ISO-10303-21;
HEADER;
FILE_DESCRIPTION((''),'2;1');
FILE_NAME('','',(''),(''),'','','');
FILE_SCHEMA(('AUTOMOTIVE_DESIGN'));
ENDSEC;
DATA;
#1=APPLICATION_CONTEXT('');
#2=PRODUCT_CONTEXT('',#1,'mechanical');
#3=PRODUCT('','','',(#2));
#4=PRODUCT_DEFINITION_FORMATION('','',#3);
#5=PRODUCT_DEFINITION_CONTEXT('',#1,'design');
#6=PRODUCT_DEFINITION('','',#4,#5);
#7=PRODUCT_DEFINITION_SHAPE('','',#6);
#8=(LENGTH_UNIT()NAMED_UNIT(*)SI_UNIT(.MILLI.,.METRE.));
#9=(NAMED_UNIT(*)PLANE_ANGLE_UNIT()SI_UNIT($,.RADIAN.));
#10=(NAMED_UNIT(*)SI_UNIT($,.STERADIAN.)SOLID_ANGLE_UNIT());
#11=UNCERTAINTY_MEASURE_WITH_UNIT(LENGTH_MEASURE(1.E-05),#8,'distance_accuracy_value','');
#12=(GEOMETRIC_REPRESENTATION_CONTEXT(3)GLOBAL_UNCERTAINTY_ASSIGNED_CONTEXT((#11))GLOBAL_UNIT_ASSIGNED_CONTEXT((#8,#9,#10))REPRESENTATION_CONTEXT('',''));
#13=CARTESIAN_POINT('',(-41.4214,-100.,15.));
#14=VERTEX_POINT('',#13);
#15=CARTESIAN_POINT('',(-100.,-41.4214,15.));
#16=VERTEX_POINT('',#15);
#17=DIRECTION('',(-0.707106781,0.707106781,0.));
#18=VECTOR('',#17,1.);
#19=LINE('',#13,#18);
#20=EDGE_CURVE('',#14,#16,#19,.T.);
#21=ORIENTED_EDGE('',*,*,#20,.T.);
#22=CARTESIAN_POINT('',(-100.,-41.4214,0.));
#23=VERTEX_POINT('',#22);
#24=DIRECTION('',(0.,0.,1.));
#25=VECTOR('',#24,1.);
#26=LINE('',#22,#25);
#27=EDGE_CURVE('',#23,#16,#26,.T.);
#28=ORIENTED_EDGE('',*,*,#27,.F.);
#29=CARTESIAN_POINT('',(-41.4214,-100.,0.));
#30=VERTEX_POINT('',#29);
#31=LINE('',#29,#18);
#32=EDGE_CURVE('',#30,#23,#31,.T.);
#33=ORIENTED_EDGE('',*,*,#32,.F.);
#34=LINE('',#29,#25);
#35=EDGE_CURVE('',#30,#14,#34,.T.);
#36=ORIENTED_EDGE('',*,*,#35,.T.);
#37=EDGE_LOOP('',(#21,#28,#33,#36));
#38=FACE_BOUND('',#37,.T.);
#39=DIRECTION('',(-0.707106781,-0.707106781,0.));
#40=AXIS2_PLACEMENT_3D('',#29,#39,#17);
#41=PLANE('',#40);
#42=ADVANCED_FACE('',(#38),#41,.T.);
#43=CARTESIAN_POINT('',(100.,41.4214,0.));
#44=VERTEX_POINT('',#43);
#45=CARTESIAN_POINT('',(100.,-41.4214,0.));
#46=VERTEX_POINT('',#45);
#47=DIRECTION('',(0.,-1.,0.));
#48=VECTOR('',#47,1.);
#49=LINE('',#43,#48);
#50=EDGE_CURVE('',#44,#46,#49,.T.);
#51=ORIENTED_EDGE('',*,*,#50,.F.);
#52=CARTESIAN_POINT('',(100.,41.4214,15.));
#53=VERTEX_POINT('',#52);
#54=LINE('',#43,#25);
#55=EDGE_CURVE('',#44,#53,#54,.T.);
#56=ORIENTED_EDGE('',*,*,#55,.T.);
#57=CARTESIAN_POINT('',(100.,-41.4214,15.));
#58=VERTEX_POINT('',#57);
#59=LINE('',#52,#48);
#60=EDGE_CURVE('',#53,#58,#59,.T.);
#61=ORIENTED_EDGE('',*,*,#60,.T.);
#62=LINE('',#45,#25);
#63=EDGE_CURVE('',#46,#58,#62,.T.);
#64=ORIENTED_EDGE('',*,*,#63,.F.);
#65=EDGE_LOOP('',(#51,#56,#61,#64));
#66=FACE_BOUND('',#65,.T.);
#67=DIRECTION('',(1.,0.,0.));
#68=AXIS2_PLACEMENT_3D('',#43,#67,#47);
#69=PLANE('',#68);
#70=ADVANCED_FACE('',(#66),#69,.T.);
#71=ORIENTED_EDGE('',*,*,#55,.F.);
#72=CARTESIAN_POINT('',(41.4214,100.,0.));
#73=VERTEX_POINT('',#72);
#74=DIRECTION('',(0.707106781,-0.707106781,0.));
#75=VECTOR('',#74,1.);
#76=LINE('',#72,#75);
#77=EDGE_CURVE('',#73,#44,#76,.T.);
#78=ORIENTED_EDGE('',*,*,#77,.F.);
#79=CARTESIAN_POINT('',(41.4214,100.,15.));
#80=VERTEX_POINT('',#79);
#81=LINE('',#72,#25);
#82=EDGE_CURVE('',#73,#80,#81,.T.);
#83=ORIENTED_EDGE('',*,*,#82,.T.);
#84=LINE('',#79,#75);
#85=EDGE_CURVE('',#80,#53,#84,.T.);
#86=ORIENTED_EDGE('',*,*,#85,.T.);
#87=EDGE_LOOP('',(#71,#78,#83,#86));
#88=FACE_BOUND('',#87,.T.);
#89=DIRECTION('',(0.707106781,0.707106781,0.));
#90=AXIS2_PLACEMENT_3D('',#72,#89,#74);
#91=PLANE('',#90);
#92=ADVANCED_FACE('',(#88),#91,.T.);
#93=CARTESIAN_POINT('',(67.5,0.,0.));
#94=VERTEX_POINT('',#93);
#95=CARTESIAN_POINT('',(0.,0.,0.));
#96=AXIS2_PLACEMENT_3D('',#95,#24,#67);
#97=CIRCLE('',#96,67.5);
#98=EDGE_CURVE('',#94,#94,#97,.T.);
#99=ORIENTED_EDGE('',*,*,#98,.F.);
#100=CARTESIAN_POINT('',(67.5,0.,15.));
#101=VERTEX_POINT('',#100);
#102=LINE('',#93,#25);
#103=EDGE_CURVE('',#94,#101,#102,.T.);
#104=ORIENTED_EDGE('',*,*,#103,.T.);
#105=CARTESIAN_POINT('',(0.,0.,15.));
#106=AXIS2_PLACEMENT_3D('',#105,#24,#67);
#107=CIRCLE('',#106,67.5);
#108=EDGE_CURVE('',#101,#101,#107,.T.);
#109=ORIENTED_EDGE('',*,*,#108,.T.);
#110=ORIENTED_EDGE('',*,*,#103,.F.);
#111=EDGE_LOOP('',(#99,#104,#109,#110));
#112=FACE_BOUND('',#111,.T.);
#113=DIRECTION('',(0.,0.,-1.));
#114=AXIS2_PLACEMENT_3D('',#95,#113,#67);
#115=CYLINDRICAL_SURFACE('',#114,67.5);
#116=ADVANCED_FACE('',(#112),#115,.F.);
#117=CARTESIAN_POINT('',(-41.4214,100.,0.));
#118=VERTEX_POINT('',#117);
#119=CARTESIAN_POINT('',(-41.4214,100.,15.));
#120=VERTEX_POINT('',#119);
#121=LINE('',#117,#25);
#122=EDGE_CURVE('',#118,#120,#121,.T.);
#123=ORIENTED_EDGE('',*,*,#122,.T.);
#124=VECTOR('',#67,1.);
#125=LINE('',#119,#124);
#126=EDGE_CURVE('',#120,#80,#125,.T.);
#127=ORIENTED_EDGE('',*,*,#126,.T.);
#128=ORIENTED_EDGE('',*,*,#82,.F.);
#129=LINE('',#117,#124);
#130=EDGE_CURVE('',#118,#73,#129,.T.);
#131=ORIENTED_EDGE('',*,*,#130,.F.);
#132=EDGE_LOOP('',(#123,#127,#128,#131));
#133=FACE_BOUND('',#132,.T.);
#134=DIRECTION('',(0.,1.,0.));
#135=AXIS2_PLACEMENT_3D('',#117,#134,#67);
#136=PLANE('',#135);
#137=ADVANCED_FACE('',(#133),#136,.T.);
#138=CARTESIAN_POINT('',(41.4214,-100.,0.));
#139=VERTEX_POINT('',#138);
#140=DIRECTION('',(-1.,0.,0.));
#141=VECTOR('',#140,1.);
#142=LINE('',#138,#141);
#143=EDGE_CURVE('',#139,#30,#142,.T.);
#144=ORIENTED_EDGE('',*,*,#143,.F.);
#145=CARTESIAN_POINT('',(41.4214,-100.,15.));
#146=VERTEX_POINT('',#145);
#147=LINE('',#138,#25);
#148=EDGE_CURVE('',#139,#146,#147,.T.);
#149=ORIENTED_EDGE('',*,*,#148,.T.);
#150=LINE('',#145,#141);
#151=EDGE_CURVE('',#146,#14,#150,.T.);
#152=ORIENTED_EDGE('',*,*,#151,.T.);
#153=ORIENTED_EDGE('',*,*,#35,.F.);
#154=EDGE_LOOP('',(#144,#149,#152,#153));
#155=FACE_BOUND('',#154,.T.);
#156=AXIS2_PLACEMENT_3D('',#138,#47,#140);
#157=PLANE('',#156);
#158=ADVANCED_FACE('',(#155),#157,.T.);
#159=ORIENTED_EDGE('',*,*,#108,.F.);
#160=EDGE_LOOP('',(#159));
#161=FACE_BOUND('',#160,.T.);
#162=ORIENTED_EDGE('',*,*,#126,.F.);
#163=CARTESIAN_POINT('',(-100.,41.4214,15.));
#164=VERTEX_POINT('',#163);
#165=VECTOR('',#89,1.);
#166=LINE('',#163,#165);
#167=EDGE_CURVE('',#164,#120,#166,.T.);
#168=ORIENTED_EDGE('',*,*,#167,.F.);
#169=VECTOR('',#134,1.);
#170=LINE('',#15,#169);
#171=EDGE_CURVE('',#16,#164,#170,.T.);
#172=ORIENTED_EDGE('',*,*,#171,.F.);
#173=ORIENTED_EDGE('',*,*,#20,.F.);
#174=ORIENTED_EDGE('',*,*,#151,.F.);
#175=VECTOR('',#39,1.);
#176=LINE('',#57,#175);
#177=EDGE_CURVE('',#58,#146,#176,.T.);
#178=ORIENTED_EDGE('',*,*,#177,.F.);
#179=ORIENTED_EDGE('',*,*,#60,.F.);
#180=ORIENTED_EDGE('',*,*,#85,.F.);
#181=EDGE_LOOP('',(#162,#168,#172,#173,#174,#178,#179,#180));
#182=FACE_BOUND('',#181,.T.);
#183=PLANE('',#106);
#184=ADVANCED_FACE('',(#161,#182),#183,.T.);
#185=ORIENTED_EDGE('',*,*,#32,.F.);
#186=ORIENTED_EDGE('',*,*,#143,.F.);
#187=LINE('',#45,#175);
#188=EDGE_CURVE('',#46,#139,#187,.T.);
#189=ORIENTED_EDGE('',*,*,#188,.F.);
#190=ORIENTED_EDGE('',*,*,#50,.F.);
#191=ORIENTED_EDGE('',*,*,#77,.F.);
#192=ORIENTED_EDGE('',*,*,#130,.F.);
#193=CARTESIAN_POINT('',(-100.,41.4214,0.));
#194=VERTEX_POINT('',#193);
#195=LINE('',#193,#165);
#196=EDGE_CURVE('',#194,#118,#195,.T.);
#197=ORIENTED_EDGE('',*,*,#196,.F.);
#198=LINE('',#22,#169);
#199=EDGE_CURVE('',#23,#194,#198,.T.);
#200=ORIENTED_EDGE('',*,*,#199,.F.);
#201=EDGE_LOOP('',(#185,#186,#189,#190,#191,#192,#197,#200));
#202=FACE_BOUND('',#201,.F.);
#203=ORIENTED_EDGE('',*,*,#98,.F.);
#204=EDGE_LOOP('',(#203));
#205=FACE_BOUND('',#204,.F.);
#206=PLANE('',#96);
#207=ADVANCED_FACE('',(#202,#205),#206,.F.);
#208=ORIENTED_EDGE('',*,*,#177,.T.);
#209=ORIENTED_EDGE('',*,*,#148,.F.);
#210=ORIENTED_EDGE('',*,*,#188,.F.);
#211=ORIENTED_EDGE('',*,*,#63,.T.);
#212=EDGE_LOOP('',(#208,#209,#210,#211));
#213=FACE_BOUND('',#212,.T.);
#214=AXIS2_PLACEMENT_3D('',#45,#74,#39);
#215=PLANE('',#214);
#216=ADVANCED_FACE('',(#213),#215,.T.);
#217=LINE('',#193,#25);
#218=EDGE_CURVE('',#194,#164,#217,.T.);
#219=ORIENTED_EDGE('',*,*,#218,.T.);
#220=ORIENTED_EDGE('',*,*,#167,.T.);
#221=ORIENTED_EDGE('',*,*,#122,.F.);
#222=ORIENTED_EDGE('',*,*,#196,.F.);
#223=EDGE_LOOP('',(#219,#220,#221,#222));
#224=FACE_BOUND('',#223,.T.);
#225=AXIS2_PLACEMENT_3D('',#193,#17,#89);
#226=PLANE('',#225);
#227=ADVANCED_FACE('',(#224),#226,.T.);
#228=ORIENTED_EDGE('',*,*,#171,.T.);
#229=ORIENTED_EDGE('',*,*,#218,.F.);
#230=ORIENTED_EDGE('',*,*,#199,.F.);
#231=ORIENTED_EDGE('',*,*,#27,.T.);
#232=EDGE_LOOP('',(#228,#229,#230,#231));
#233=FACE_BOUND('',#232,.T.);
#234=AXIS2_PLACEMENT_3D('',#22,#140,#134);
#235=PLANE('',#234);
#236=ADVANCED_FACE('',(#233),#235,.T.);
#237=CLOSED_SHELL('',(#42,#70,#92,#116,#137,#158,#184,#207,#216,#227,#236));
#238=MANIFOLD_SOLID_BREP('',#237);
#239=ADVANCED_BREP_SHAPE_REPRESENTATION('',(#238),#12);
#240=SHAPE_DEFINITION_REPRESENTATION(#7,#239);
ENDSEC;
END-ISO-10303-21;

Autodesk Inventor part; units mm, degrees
ref_plane "YZ Plane" through (0, 0, 0) normal (1, 0, 0) x (0, 1, 0)
ref_plane "XZ Plane" through (0, 0, 0) normal (0, 1, 0) x (-1, 0, 0)
ref_plane "XY Plane" through (0, 0, 0) normal (0, 0, 1) x (1, 0, 0)
sketch "Skizze2" plane through (0, 0, 0) normal (0, 0, 1) x (1, 0, 0)
  circle A0 centre (0, 0) radius 67.5
  line L0 (-41.4214, 100) -> (41.4214, 100)
  line L1 (41.4214, 100) -> (100, 41.4214)
  line L2 (100, 41.4214) -> (100, -41.4214)
  line L3 (100, -41.4214) -> (41.4214, -100)
  line L4 (41.4214, -100) -> (-41.4214, -100)
  line L5 (-41.4214, -100) -> (-100, -41.4214)
  line L6 (-100, -41.4214) -> (-100, 41.4214)
  line L7 (-100, 41.4214) -> (-41.4214, 100)
  dimension "d6" = 135
  dimension "d10" = 200
extrude "Extrusion2" add sketch "Skizze2" along normal blind 15
equation "\"kg_thickness\" = 4.9"
equation "\"ht_thickness\" = 1.9"
equation "\"case_thickness\" = 18"
equation "\"inner_thickness\" = 15"
equation "\"gap_fit\" = 0.1"
equation "\"gap_slide\" = 0.2"
equation "\"gap_air\" = 1"
equation "\"bore_diameter\" = 73"
equation "\"mdf_thickness\" = 6"
equation "\"tape_width\" = 15"
equation "\"tape_thickness\" = 3"
equation "\"inner_depth\" = 255"
properties part number "Korpus_Motor_15mm"
